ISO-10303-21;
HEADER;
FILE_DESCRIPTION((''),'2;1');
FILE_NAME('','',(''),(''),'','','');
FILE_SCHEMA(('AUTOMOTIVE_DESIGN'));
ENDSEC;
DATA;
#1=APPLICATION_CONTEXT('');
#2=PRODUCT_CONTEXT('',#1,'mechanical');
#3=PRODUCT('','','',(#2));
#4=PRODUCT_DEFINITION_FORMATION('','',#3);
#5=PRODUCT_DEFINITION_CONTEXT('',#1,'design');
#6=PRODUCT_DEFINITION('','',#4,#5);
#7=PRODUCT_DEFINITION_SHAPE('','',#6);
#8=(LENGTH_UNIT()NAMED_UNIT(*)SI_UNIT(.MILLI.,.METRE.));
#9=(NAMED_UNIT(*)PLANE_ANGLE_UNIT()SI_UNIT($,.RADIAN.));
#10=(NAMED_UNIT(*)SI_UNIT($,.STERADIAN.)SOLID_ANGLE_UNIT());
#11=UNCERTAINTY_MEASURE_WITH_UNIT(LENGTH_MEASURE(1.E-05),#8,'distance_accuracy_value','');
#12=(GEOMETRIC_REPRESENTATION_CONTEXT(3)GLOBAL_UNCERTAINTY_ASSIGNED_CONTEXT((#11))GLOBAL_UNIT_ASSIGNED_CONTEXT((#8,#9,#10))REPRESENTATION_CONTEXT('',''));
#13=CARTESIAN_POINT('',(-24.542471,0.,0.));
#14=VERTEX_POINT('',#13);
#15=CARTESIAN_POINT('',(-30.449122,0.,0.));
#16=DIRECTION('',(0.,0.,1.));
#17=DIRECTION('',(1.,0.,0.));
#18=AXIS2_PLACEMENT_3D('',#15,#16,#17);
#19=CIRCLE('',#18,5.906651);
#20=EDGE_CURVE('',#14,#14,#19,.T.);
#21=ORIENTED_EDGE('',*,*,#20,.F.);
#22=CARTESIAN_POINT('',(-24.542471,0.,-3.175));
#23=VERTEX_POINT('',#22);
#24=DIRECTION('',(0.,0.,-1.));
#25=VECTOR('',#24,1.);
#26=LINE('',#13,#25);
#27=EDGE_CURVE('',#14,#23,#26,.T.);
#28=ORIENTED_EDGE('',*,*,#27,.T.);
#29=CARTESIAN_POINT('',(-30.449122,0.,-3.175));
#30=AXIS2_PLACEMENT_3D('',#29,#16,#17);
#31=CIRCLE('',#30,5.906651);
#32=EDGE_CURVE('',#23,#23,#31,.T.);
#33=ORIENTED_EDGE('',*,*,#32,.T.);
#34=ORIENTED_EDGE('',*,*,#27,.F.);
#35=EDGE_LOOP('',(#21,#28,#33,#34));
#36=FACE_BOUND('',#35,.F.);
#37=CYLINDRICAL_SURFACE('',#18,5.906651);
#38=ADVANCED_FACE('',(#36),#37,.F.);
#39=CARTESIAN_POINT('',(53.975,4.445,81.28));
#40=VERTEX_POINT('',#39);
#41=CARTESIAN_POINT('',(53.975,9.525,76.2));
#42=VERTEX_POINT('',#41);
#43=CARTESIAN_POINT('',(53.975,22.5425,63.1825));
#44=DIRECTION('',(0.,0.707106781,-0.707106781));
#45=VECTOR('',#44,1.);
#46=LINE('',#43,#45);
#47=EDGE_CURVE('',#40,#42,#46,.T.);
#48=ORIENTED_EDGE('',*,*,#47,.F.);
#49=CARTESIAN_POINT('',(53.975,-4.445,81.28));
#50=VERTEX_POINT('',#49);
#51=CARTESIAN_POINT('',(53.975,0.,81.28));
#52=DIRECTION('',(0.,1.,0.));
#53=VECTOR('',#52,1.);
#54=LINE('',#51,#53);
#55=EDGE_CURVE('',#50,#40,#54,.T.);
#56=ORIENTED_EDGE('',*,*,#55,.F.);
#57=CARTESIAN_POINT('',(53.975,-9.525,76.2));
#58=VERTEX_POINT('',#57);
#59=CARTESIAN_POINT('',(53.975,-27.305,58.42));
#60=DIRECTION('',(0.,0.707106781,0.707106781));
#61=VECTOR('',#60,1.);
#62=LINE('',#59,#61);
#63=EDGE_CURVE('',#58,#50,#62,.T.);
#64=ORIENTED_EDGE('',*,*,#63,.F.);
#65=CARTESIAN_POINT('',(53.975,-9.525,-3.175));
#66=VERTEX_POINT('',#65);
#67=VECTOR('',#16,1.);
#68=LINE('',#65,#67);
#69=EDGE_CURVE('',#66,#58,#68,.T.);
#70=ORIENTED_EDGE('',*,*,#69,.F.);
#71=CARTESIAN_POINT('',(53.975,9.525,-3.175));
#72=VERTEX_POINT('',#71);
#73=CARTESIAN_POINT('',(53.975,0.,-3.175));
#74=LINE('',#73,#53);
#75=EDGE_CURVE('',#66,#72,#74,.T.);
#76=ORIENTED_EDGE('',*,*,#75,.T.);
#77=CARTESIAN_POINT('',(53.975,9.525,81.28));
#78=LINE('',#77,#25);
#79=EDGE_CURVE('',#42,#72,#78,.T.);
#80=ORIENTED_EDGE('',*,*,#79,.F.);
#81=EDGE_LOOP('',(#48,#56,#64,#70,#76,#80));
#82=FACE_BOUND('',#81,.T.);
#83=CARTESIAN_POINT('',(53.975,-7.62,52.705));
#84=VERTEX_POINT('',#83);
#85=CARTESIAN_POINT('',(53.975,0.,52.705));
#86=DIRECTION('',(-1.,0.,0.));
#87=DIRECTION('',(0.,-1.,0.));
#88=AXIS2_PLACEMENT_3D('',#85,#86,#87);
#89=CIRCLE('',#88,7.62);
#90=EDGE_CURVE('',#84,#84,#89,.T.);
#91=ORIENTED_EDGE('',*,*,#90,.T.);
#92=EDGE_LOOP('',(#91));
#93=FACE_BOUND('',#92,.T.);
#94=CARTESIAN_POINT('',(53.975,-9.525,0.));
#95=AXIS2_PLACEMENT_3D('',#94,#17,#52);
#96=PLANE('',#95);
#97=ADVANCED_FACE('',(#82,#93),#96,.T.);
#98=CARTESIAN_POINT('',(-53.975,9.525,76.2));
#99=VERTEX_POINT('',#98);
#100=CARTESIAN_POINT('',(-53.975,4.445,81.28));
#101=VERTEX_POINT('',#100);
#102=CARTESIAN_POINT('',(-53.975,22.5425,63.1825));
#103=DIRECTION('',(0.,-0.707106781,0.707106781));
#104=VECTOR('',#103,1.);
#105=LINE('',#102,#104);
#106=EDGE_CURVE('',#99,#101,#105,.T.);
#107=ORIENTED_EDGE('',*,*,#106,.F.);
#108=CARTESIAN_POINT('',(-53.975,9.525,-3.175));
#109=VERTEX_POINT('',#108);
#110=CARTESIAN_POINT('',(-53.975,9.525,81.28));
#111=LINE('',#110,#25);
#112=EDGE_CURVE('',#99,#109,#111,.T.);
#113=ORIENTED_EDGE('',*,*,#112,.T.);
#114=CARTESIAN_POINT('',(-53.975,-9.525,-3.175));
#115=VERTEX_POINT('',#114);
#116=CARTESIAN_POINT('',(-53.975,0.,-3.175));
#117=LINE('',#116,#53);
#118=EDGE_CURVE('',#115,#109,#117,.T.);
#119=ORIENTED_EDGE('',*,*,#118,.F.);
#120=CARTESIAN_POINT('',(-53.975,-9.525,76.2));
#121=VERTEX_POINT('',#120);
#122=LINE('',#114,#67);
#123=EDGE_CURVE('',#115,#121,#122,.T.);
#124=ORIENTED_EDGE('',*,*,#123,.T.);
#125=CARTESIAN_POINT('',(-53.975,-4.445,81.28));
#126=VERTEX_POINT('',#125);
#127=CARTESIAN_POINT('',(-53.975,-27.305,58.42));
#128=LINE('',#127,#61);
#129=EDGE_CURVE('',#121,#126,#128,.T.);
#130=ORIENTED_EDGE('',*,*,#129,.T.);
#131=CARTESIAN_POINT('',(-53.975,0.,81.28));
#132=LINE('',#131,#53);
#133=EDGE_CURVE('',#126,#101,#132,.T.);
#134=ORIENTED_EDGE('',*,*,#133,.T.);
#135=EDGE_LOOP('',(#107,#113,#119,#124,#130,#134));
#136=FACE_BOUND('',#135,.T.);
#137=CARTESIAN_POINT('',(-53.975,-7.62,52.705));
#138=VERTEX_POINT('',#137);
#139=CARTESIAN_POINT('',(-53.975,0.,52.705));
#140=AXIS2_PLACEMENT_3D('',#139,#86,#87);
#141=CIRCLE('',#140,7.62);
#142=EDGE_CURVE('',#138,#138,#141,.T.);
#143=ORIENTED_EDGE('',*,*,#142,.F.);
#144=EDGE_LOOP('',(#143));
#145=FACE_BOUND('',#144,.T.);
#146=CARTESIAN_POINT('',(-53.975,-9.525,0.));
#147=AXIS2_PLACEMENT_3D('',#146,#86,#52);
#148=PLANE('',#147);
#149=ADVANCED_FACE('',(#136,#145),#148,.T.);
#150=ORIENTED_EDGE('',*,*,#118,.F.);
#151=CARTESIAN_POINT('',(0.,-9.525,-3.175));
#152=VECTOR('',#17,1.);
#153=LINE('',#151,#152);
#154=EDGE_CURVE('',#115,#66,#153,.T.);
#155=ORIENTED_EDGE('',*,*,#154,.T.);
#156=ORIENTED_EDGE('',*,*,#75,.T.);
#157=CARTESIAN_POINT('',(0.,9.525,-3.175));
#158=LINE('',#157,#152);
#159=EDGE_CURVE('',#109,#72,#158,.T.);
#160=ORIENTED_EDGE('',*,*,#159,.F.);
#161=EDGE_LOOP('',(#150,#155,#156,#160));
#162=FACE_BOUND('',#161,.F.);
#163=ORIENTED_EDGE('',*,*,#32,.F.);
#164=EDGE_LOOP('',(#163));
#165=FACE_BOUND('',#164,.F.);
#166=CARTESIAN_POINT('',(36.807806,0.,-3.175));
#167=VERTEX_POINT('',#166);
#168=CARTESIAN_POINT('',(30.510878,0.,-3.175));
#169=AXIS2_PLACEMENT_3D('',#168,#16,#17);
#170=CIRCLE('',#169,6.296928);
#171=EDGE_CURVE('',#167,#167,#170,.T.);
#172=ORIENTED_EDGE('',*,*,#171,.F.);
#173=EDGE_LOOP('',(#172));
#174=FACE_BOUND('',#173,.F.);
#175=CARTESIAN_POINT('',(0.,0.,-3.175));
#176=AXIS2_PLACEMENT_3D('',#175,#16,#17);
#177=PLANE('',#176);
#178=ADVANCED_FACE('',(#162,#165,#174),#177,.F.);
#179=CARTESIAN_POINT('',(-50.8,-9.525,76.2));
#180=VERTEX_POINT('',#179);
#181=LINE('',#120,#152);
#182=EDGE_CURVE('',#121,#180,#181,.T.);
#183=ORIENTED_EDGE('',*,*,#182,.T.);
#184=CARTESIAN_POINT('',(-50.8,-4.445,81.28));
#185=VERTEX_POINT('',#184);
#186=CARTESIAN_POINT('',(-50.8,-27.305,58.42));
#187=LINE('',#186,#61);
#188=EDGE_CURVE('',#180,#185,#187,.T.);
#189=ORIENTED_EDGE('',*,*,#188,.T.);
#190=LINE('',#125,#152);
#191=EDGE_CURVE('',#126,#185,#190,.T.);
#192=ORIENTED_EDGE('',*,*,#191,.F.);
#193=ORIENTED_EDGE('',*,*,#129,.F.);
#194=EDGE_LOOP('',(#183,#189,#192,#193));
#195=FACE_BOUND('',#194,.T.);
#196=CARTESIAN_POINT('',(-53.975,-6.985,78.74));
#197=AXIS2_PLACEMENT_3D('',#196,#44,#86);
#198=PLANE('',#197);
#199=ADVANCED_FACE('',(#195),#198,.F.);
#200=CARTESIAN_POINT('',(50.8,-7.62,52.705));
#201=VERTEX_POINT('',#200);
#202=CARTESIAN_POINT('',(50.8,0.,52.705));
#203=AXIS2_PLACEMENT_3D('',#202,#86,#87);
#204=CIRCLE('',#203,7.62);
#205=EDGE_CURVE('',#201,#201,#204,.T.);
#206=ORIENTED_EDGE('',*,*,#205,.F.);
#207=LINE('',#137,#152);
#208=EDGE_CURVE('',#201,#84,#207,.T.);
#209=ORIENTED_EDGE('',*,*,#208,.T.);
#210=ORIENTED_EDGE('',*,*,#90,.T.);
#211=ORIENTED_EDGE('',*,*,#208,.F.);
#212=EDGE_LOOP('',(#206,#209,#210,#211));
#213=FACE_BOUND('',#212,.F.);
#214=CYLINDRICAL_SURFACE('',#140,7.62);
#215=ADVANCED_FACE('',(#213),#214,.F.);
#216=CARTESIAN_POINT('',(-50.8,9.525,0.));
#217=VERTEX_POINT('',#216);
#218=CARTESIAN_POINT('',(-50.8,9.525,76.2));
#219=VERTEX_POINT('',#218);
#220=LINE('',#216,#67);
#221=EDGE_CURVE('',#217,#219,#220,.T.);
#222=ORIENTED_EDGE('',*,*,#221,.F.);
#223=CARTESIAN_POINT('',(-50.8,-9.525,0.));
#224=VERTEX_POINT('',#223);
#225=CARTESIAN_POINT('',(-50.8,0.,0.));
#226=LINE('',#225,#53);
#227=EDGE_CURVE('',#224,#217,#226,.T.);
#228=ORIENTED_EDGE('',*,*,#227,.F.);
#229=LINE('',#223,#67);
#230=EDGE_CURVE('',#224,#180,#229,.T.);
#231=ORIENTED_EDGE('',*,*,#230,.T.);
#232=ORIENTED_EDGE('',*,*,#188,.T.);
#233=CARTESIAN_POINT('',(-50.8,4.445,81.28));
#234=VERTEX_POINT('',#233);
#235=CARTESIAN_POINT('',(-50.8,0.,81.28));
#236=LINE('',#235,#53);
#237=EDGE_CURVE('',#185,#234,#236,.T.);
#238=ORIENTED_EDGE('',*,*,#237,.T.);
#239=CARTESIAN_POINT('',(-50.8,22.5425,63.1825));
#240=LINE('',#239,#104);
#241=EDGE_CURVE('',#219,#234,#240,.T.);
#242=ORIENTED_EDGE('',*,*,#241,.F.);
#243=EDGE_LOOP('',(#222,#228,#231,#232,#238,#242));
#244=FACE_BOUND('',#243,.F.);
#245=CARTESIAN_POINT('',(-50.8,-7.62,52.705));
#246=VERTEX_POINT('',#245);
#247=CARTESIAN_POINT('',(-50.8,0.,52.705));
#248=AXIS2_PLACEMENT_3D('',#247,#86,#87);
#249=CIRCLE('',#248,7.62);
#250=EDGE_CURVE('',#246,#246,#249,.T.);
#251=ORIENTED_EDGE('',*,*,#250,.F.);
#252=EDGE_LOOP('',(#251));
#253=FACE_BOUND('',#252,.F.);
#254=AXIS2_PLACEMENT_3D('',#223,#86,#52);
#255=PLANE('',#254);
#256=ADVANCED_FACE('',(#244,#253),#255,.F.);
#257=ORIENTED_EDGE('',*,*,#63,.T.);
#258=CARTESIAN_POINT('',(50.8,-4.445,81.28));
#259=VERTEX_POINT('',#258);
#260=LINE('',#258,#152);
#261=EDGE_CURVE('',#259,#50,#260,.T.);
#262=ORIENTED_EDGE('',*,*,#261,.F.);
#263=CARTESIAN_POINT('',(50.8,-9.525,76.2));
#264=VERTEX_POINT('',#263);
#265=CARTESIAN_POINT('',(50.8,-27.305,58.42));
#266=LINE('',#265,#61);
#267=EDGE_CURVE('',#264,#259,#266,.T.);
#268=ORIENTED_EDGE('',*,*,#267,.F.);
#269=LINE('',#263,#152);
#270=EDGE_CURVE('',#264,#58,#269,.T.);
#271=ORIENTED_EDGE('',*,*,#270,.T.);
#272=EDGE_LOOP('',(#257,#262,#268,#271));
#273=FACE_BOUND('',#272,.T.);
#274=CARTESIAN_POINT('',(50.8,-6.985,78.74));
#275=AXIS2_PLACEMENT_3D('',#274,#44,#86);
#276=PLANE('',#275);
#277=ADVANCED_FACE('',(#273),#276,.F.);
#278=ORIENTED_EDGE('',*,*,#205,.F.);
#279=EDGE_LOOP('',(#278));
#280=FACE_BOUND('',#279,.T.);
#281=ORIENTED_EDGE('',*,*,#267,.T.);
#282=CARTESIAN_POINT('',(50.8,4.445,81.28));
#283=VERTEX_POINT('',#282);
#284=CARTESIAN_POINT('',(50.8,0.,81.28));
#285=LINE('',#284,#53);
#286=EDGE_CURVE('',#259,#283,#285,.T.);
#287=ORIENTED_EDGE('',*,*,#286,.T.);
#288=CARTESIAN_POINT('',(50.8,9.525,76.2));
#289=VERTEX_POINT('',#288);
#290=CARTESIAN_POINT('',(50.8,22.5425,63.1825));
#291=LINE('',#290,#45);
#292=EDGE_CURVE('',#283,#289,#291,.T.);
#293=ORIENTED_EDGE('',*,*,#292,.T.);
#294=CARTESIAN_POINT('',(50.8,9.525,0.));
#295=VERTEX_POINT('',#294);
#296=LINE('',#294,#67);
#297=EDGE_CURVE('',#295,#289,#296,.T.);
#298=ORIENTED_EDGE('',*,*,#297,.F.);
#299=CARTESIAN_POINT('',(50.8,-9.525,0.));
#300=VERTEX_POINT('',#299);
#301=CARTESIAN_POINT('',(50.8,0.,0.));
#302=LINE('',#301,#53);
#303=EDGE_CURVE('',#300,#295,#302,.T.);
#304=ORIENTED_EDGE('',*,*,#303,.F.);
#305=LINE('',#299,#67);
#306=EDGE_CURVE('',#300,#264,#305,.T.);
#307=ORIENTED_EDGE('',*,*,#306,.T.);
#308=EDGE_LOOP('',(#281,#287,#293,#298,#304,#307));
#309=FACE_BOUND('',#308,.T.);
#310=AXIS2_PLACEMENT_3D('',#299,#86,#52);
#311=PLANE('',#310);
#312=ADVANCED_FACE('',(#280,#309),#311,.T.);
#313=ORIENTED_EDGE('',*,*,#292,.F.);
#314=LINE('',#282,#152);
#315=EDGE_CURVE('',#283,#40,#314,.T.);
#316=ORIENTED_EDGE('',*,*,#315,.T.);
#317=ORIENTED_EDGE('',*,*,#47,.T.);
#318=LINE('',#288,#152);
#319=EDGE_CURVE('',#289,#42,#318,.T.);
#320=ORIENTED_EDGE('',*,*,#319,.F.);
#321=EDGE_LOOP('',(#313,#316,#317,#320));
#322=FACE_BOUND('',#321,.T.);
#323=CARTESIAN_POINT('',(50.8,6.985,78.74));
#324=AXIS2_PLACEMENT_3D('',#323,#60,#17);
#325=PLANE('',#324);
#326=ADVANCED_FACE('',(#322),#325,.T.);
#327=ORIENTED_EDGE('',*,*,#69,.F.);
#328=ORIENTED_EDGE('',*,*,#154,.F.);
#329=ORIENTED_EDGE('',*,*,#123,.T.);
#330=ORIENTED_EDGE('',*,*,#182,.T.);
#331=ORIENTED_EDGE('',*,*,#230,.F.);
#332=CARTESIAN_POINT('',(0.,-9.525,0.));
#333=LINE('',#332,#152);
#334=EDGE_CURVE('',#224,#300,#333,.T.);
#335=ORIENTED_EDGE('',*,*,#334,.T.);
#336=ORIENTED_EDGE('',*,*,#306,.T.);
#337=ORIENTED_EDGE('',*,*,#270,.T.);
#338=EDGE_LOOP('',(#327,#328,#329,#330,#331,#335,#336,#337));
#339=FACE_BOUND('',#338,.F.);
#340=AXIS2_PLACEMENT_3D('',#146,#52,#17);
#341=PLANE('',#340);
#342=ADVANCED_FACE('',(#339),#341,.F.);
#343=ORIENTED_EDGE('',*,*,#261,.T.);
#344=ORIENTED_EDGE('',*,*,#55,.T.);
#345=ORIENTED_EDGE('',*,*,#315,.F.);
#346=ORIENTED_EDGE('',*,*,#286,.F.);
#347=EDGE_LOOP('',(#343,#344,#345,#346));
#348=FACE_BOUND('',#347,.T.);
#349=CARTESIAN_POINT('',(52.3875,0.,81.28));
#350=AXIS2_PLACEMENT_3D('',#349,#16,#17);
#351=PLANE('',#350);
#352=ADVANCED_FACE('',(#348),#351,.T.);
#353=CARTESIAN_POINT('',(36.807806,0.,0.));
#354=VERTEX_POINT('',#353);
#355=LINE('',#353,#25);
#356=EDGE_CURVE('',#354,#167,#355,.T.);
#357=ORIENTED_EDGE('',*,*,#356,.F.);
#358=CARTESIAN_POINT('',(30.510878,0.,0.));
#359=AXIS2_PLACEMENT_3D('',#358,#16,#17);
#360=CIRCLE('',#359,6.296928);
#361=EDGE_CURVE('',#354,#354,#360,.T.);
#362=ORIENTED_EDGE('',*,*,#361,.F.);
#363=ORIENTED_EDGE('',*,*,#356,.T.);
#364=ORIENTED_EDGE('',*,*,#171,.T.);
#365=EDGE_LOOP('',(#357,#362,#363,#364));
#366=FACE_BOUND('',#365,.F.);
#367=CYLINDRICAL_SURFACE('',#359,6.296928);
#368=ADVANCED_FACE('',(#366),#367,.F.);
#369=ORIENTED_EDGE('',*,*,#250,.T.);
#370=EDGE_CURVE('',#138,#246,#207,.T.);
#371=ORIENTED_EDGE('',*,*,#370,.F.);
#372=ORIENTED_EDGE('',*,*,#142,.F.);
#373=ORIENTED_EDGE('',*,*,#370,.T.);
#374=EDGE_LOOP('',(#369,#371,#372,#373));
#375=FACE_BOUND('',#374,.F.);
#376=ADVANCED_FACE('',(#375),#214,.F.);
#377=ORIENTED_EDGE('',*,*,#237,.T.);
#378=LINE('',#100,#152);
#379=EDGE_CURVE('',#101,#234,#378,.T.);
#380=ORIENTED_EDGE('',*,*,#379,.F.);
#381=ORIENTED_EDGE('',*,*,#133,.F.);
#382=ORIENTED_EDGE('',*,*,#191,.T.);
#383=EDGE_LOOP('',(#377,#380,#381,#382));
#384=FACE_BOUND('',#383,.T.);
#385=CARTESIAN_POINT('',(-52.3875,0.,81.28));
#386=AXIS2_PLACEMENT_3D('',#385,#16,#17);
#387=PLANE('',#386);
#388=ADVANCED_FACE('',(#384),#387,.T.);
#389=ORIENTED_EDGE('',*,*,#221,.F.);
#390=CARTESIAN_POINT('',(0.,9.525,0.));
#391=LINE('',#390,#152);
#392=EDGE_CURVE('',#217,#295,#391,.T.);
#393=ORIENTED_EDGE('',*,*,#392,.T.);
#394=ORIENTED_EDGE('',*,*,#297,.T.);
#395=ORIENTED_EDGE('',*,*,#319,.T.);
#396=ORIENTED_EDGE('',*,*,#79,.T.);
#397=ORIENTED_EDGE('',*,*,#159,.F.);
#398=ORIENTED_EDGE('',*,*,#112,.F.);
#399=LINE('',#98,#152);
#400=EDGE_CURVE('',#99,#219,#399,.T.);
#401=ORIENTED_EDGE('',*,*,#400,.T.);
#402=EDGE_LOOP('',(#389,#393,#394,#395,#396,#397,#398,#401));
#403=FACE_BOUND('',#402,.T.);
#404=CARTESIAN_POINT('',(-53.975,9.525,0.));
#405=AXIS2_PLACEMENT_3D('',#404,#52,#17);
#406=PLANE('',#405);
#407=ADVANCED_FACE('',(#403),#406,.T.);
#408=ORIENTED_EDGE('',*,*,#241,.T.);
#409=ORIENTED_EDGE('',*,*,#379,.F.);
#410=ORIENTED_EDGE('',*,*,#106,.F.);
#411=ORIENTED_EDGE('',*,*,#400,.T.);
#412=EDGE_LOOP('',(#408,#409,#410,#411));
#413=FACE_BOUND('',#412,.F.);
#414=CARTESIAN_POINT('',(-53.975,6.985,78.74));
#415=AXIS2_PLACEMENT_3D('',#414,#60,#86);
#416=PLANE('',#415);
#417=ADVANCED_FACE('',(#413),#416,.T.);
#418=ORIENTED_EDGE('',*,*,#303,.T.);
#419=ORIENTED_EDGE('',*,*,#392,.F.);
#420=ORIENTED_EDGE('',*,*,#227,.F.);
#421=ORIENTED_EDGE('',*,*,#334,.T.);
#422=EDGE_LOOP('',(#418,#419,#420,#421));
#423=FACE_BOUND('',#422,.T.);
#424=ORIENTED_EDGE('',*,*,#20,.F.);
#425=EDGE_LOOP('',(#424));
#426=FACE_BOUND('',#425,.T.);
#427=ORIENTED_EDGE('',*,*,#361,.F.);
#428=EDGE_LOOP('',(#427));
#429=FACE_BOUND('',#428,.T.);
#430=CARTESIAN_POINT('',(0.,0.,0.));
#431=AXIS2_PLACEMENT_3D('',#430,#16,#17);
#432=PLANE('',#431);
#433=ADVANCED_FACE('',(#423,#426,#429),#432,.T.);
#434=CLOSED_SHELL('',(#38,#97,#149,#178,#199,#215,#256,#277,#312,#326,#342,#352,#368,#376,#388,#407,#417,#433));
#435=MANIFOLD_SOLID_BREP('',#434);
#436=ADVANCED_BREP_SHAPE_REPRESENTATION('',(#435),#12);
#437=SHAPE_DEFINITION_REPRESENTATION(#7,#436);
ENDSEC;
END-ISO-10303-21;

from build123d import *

# Parameters (mm, degrees)
F0_W     = 107.95
F0_H     = 19.05
F1_DEPTH = 3.175
F2_W     = 3.175
F2_H     = 19.05
F3_DEPTH = 81.28
F4_SIZE  = 5.08
F5_R     = 7.62
F6_DEPTH = 107.95
F7_R     = 5.906651
F7_R_2   = 6.296928
F8_DEPTH = 3.175


with BuildPart() as f1:
    # F0 (on Top) → F1 (new body)
    with BuildSketch(Plane.XY):
        Rectangle(F0_W, F0_H)
    extrude(amount=-F1_DEPTH)

    # F2 (on Top) → F3 (join)
    with BuildSketch(Plane.XY):
        with Locations((-52.3875, 0)):
            Rectangle(F2_W, F2_H)
        with Locations((52.3875, 0)):
            Rectangle(F2_W, F2_H)
    extrude(amount=F3_DEPTH)

    # F4
    f4_edges = [f1.edges().sort_by_distance(p)[0] for p in [
        (52.3875, -9.525, 81.28),
        (52.3875, 9.525, 81.28),
        (-52.3875, -9.525, 81.28),
        (-52.3875, 9.525, 81.28),
    ]]
    chamfer(f4_edges, length=F4_SIZE)

    # F5 (on face) → F6 (cut, through all)
    with BuildSketch(Plane(origin=(-53.975, 0, 0), x_dir=(0, -1, 0), z_dir=(-1, 0, 0))):
        with Locations((0, 52.705)):
            Circle(F5_R)
    extrude(amount=-F6_DEPTH, mode=Mode.SUBTRACT)

    # F7 (on face) → F8 (cut, through all)
    with BuildSketch(Plane.XY):
        with Locations((-30.449122, 0)):
            Circle(F7_R)
        with Locations((30.510878, 0)):
            Circle(F7_R_2)
    extrude(amount=-F8_DEPTH, mode=Mode.SUBTRACT)


solid = f1.part
